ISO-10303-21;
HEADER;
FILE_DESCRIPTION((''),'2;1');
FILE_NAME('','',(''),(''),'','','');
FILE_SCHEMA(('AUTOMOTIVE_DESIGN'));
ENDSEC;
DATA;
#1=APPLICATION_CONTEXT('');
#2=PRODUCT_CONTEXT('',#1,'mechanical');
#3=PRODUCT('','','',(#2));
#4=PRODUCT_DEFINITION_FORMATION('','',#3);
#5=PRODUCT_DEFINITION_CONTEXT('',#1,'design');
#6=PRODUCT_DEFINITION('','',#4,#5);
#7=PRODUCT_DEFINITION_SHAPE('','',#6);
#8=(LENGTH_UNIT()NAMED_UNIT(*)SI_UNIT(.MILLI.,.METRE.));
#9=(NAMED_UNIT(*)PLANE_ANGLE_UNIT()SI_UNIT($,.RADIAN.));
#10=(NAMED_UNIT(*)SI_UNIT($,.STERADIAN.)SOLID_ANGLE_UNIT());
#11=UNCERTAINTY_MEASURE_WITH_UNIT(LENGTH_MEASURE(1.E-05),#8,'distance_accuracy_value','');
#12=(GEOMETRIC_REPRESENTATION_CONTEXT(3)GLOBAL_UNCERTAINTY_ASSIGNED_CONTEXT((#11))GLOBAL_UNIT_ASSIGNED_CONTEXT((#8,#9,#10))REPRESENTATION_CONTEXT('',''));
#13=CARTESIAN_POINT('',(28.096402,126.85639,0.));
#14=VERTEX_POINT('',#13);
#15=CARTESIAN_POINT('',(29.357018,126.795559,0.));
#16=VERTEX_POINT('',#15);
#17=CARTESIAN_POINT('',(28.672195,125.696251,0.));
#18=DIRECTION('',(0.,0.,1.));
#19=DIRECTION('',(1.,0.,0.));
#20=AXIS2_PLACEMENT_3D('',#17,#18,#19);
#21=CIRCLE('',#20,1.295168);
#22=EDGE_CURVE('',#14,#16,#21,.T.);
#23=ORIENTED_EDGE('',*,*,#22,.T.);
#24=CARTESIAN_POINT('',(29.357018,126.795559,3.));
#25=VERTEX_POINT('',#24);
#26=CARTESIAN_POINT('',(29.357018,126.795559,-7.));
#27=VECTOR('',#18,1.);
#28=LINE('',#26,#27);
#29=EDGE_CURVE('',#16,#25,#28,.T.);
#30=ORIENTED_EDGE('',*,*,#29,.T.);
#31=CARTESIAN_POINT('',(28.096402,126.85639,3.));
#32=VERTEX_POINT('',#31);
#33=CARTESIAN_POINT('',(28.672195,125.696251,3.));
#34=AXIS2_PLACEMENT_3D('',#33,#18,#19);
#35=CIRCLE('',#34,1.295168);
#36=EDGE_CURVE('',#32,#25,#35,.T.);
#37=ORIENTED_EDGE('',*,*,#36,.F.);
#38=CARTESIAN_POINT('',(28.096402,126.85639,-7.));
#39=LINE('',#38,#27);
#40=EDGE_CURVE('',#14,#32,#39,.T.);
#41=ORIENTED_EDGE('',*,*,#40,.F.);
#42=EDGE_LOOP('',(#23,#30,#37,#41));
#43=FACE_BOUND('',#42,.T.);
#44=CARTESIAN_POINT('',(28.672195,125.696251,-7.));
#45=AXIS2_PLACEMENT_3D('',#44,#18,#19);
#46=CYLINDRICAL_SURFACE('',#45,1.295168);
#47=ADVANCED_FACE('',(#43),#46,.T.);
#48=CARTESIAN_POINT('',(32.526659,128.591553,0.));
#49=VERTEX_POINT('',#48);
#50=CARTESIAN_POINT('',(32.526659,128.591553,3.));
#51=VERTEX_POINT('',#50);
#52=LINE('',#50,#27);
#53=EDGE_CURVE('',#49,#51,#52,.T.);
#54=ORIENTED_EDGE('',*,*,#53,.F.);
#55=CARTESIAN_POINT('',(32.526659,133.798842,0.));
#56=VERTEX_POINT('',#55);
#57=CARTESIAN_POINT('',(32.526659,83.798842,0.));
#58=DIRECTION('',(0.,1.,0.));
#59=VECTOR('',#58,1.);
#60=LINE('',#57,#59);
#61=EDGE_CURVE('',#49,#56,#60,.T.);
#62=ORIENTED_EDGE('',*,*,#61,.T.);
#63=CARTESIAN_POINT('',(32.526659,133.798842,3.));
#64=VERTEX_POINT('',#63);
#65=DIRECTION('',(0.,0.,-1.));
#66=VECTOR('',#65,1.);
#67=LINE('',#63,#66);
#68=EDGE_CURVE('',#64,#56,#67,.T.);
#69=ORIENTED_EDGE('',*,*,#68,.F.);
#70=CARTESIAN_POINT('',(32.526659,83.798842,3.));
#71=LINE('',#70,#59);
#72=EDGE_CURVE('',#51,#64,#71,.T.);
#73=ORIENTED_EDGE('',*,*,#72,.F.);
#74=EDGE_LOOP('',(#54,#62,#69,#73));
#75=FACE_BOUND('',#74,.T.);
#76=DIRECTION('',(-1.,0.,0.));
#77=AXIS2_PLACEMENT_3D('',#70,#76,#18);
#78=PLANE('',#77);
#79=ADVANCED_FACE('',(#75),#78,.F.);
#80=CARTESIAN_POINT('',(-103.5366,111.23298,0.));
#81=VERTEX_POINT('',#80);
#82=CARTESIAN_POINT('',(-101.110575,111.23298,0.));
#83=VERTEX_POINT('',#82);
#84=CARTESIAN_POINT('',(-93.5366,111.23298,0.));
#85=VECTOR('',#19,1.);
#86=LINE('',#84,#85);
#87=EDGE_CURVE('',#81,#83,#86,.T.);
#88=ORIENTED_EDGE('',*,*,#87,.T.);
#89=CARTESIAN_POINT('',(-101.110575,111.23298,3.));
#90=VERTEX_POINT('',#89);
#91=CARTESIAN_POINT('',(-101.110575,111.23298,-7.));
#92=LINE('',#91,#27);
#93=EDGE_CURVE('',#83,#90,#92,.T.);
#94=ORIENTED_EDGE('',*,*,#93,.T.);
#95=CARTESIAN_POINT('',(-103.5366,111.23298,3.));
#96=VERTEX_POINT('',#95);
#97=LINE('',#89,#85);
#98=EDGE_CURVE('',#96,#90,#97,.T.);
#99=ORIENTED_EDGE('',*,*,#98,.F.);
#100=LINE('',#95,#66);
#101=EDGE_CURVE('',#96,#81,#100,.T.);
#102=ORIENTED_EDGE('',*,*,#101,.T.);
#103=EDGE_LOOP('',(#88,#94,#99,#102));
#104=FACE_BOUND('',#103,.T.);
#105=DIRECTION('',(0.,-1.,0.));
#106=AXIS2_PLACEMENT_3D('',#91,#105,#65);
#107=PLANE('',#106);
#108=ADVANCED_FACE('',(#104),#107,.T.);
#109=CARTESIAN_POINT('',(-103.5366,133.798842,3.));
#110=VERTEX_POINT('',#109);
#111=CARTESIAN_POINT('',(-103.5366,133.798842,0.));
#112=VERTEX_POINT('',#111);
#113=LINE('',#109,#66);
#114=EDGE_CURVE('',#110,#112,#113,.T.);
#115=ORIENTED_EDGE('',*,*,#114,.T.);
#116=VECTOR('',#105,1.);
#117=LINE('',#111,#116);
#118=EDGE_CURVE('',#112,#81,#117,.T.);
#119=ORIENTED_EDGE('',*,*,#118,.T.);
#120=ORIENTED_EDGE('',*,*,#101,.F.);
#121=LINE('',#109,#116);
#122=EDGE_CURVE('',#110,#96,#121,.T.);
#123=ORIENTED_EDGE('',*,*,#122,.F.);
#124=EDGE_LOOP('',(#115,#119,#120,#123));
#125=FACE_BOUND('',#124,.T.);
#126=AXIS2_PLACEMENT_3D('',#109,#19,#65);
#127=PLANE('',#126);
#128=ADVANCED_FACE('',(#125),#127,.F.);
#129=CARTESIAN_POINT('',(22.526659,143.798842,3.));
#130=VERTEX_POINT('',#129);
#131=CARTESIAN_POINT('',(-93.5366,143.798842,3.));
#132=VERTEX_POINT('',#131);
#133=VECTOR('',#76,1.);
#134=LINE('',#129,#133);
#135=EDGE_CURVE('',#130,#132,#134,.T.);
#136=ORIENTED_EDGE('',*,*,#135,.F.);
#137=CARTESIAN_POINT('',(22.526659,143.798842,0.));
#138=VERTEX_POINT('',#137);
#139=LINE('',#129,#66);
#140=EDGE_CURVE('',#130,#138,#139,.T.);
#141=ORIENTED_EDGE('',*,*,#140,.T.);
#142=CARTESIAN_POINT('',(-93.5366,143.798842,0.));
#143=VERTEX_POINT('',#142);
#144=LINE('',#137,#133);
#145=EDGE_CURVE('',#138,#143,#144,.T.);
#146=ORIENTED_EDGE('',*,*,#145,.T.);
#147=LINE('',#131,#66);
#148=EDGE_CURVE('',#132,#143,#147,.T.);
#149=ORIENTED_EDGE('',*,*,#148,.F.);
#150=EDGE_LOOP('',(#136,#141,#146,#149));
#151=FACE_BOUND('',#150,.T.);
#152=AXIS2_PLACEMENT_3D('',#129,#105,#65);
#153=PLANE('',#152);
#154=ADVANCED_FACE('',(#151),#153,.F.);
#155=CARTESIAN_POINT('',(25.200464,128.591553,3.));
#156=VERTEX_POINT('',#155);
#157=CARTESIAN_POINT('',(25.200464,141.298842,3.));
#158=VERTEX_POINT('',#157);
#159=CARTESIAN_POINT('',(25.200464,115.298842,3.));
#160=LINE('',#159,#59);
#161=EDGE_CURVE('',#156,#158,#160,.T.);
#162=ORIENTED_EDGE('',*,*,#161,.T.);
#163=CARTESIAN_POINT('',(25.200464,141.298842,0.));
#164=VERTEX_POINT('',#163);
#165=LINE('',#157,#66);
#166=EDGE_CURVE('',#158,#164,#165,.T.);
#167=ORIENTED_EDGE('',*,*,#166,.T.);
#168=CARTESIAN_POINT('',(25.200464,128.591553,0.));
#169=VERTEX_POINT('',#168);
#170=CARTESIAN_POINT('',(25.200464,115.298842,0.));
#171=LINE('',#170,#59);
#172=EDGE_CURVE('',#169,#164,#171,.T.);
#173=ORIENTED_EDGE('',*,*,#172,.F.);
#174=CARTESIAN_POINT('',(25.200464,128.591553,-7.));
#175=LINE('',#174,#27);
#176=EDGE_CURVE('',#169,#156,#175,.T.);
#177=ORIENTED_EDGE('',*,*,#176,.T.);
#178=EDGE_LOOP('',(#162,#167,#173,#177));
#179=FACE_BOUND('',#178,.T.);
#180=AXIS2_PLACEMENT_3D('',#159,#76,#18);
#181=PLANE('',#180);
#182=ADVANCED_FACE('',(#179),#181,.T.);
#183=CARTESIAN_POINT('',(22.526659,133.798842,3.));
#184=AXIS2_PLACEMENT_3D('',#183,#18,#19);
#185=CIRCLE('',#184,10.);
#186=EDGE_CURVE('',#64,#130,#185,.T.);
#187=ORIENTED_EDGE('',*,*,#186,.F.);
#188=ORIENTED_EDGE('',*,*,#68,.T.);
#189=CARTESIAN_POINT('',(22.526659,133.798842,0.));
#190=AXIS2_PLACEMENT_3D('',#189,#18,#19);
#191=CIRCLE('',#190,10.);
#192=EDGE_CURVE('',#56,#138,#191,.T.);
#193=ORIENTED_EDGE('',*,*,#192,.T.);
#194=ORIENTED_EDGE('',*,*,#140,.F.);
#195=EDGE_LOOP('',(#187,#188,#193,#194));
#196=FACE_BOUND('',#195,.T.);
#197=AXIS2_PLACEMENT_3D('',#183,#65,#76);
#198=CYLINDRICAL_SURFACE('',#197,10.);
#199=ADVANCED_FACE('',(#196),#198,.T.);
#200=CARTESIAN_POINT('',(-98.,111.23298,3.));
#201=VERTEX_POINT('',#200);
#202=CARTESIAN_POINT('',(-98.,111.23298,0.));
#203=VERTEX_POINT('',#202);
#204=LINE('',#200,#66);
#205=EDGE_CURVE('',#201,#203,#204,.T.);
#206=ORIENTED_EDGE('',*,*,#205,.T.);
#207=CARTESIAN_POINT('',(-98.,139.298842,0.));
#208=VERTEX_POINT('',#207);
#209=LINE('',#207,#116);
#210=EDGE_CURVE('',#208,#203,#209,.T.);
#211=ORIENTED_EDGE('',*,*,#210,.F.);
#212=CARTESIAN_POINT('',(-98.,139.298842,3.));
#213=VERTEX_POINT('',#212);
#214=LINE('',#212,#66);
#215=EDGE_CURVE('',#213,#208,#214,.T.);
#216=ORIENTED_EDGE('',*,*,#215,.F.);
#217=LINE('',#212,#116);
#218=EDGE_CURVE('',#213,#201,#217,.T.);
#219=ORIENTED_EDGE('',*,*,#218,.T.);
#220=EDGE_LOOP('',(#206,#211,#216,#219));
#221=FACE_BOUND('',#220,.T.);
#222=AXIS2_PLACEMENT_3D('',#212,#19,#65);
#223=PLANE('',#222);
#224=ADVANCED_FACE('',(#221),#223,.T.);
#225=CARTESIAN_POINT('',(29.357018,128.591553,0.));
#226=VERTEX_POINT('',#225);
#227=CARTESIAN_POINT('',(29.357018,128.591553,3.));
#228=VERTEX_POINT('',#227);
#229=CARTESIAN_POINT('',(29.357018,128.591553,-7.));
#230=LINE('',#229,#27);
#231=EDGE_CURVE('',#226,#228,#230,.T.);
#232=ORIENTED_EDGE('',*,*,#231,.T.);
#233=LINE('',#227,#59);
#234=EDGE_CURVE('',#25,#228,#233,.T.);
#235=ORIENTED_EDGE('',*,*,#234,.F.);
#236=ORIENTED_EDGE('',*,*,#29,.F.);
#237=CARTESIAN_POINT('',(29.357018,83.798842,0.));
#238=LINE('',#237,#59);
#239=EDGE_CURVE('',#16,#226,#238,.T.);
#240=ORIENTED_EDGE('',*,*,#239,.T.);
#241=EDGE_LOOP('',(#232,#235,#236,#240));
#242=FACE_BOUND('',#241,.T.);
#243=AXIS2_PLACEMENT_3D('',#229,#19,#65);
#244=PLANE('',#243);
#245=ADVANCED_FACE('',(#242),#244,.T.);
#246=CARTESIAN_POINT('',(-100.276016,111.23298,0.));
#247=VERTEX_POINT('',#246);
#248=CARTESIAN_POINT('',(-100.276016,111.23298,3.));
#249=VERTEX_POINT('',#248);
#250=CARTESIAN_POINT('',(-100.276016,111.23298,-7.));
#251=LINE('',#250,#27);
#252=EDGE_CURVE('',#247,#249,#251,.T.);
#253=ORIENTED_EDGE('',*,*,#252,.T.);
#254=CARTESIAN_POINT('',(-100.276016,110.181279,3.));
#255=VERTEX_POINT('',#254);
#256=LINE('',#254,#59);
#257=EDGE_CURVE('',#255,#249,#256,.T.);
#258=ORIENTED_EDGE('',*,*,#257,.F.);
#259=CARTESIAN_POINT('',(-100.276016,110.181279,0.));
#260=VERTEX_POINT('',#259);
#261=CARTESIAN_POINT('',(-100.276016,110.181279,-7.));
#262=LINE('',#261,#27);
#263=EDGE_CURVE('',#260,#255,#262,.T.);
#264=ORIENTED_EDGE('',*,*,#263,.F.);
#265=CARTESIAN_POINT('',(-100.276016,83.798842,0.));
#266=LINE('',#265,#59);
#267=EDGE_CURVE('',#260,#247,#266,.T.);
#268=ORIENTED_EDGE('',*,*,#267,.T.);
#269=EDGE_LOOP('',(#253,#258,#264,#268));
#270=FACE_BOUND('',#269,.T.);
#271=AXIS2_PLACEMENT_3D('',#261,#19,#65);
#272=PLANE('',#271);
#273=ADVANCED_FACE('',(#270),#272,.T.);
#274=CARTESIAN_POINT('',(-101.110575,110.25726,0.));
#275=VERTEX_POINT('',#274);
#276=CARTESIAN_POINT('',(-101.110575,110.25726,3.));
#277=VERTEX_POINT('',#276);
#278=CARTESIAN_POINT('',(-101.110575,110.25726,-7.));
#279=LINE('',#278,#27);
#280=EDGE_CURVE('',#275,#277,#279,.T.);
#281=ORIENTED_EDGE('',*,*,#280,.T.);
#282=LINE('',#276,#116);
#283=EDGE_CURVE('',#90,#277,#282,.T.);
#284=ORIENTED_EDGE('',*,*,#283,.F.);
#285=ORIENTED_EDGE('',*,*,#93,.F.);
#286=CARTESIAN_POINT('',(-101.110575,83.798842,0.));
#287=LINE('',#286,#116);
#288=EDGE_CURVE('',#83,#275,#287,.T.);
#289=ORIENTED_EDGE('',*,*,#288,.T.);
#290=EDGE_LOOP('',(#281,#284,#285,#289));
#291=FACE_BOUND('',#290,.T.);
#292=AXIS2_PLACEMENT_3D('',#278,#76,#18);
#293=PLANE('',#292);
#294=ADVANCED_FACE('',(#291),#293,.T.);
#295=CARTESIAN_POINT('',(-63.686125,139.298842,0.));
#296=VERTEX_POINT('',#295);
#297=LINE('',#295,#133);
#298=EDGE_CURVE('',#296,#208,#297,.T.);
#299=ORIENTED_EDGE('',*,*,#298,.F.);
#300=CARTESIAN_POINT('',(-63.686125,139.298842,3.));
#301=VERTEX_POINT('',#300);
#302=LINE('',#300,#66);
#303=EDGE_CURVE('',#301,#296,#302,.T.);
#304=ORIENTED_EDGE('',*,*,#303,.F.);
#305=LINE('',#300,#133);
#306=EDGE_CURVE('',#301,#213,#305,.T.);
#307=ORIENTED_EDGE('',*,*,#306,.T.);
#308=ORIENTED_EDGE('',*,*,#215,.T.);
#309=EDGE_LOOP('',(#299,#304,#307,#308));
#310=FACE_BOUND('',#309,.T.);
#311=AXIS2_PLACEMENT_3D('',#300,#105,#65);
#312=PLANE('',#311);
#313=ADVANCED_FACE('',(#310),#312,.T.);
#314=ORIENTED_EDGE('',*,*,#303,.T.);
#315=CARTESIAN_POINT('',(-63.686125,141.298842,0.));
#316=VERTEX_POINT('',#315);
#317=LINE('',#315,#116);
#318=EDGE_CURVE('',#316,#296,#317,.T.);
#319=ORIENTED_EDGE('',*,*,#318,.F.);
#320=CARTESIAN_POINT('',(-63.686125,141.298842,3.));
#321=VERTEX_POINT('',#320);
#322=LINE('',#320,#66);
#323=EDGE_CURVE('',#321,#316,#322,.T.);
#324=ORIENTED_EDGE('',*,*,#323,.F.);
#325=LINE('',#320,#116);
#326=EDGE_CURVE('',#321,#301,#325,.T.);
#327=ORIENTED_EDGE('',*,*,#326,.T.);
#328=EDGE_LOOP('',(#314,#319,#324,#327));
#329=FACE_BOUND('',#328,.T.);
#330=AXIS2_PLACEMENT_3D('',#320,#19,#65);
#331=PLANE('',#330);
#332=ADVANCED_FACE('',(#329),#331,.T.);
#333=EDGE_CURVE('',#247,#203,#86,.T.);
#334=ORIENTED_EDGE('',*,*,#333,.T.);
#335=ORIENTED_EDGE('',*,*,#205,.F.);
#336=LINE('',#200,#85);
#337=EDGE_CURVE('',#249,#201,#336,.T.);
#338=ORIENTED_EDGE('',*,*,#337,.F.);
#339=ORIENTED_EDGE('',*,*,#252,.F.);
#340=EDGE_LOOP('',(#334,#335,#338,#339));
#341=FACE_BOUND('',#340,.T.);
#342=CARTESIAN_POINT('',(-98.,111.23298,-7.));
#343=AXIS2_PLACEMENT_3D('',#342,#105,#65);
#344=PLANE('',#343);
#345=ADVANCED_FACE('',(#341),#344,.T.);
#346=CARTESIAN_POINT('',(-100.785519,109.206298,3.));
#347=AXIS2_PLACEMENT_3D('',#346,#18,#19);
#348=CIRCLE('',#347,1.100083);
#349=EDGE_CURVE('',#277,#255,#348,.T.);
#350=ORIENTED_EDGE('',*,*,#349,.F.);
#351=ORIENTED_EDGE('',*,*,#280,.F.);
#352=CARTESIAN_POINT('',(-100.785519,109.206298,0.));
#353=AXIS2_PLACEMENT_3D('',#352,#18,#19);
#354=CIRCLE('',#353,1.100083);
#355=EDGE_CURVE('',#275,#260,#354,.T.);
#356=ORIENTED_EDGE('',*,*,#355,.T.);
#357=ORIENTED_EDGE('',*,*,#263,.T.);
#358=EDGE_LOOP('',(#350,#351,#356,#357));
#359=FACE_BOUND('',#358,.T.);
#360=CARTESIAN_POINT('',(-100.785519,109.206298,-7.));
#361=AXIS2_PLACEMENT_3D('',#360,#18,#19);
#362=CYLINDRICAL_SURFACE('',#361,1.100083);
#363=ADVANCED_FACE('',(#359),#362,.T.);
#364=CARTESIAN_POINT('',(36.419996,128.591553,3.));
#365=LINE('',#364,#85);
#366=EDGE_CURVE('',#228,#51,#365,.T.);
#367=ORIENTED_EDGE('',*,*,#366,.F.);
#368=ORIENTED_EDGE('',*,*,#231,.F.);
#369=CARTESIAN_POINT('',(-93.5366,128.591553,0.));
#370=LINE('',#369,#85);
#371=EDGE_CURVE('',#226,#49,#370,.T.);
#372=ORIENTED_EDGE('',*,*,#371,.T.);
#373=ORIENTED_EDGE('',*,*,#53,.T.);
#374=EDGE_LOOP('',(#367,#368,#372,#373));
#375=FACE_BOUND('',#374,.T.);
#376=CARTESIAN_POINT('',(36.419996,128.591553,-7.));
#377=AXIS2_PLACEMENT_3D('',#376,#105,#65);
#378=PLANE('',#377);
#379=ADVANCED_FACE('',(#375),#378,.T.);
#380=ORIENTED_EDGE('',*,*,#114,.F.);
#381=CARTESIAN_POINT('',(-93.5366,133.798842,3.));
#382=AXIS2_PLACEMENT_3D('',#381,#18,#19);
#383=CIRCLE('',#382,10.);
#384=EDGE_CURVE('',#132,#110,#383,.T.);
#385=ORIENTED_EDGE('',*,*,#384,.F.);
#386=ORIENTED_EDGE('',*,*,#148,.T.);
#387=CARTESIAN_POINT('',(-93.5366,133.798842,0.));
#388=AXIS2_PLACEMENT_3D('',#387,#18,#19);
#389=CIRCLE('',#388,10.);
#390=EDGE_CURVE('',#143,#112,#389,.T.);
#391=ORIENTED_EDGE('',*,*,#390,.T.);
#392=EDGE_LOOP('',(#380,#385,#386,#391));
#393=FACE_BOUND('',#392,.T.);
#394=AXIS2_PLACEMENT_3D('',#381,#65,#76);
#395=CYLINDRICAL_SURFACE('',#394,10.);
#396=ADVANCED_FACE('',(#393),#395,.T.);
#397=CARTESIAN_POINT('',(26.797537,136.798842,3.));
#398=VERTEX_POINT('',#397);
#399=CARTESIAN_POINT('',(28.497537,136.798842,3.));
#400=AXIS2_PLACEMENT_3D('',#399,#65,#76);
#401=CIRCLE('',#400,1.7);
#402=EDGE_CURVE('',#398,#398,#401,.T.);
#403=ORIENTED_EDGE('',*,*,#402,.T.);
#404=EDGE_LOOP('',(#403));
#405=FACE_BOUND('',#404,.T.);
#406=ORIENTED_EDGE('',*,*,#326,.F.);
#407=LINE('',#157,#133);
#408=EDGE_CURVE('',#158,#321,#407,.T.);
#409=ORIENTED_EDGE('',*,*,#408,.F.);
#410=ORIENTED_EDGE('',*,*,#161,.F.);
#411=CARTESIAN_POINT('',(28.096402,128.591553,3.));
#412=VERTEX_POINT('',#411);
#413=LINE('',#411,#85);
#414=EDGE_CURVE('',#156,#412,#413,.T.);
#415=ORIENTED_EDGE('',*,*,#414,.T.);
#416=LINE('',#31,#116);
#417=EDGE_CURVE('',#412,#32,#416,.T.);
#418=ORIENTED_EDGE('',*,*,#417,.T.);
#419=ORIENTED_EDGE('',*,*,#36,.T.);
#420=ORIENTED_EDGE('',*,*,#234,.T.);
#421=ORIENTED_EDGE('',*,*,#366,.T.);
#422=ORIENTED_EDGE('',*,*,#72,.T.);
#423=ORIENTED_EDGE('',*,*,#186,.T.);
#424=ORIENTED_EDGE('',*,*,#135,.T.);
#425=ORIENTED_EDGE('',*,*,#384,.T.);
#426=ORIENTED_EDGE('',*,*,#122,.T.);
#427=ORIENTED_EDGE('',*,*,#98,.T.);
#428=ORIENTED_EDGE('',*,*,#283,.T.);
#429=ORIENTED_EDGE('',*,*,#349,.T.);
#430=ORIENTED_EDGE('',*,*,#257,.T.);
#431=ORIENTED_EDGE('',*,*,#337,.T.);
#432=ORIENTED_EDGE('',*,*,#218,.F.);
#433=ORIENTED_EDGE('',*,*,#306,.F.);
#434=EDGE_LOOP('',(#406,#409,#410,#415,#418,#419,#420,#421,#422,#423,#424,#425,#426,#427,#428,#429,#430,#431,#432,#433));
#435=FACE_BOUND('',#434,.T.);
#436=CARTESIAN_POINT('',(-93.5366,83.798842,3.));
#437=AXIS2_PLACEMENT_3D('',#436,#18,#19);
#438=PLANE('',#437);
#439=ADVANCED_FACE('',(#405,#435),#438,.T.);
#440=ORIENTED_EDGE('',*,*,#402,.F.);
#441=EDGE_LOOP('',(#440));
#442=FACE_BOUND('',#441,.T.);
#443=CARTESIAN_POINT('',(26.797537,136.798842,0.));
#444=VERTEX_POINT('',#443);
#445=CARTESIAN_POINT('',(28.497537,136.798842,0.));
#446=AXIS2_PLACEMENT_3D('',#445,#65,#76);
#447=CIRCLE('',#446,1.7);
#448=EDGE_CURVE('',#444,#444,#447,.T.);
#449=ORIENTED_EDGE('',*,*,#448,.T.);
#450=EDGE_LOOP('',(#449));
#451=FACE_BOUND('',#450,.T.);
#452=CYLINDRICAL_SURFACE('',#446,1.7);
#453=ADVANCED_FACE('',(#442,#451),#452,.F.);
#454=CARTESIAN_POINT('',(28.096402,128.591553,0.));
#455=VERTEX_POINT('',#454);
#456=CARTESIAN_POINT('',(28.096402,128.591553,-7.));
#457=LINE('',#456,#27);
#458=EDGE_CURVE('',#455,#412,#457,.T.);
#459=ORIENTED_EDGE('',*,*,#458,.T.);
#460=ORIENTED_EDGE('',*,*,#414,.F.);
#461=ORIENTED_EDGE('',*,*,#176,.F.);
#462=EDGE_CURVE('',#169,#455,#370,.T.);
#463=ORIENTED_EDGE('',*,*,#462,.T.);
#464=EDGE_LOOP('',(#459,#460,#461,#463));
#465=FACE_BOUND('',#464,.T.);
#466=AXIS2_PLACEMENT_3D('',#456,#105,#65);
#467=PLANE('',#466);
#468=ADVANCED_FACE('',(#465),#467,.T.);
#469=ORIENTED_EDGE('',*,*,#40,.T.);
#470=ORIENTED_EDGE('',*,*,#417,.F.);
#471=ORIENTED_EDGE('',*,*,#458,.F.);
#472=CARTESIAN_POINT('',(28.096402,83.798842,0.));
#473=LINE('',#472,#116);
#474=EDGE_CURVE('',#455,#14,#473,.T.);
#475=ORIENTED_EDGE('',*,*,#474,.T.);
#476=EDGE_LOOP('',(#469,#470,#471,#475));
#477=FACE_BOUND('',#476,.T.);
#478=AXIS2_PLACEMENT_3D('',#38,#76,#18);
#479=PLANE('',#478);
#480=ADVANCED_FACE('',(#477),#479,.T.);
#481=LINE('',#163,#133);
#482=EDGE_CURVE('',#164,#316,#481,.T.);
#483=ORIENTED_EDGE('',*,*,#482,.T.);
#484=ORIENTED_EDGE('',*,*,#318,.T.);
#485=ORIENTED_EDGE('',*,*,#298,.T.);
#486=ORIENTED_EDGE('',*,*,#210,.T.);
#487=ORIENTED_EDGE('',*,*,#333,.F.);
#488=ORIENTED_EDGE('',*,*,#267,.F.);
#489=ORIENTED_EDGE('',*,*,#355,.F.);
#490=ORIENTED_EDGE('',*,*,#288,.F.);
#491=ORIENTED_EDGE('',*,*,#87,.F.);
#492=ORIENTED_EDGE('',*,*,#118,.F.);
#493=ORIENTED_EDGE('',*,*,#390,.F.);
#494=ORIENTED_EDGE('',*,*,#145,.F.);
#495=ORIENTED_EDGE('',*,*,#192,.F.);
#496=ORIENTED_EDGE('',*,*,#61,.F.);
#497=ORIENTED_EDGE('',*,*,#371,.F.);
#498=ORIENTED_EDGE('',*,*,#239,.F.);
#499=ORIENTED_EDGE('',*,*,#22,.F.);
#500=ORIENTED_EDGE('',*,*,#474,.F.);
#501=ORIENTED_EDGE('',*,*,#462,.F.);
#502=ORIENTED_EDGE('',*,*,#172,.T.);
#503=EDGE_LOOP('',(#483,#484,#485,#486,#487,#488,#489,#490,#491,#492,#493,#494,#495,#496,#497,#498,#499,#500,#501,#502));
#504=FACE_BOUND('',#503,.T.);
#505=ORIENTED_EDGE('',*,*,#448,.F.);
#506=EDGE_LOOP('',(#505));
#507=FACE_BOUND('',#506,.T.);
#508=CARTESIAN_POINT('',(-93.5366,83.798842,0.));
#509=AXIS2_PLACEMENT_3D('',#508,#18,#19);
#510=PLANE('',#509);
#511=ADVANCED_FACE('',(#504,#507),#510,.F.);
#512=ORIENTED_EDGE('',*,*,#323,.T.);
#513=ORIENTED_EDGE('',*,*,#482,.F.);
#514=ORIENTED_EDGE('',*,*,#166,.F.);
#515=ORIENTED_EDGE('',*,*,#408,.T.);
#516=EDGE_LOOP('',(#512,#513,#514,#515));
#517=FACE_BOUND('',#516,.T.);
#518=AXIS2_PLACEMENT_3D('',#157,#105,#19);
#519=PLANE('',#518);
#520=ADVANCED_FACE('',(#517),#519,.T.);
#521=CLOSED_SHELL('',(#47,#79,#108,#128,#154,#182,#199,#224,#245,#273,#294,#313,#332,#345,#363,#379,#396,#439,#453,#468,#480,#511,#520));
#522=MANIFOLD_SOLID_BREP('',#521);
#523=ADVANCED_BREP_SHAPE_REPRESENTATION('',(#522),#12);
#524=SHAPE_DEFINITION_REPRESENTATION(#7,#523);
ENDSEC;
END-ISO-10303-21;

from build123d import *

# Parameters (mm, degrees)
BOSS_EXTRUDE1_DEPTH  = 3
M3_CLEARANCE_HOLE1_D = 3.4
SKETCH2_OUTSIDE_W    = 168.672
SKETCH2_OUTSIDE_H    = 102.608
CUT_EXTRUDE1_DEPTH   = 10


with BuildPart() as part:
    # Sketch1 → Boss-Extrude1 (new body)
    with BuildSketch(Plane.XY):
        with BuildLine():
            Line((-93.536600288, 73.798841742), (22.52665856, 73.798841742))
            ThreePointArc((22.52665856, 73.798841742), (29.597726372, 76.72777393), (32.52665856, 83.798841742))
            Line((32.52665856, 83.798841742), (32.52665856, 133.798841742))
            ThreePointArc((32.52665856, 133.798841742), (29.597726372, 140.869909554), (22.52665856, 143.798841742))
            Line((22.52665856, 143.798841742), (-93.536600288, 143.798841742))
            ThreePointArc((-93.536600288, 143.798841742), (-100.6076681, 140.869909554), (-103.536600288, 133.798841742))
            Line((-103.536600288, 133.798841742), (-103.536600288, 83.798841742))
            ThreePointArc((-103.536600288, 83.798841742), (-100.6076681, 76.72777393), (-93.536600288, 73.798841742))
        make_face()
        Polygon((7.241251279, 79.113754803), (7.241251279, 115.298841742), (25.200464445, 115.298841742), (25.200464445, 141.298841742), (-63.686125174, 141.298841742), (-63.686125174, 139.298841742), (-98, 139.298841742), (-98, 79.113754803), align=None, mode=Mode.SUBTRACT)
    extrude(amount=BOSS_EXTRUDE1_DEPTH)

    # M3 Clearance Hole1 (through all)
    with Locations(Plane(origin=(0, 0, 0), x_dir=(-1, 0, 0), z_dir=(0, 0, -1))):
        with Locations((-28.497536526, 136.798841742), (-28.497536526, 81.798841742)):
            Hole(M3_CLEARANCE_HOLE1_D / 2)

    # Sketch2 outside → Cut-Extrude1 (cut)
    with BuildSketch(Plane.XY.offset(3)):
        with Locations((-35.505, 108.799)):
            Rectangle(SKETCH2_OUTSIDE_W, SKETCH2_OUTSIDE_H)
        with BuildLine():
            Line((-98, 111.232980273), (-100.276015927, 111.232980273))
            Line((-100.276015927, 111.232980273), (-100.276015927, 110.181279495))
            ThreePointArc((-100.276015927, 110.181279495), (-100.885260547, 108.11074669), (-101.110575194, 110.257259772))
            Line((-101.110575194, 110.257259772), (-101.110575194, 111.232980273))
            Line((-101.110575194, 111.232980273), (-103.536600288, 111.232980273))
            Line((-103.536600288, 111.232980273), (-103.536600288, 155.169137996))
            Line((-103.536600288, 155.169137996), (37.520914888, 146.495442913))
            Line((37.520914888, 146.495442913), (36.419995989, 128.591552724))
            Line((36.419995989, 128.591552724), (32.52665856, 128.591552724))
            Line((32.52665856, 128.591552724), (29.357018022, 128.591552724))
            Line((29.357018022, 128.591552724), (29.357018022, 126.79555932))
            ThreePointArc((29.357018022, 126.79555932), (28.609769319, 124.402587901), (28.09640217, 126.856390462))
            Line((28.09640217, 126.856390462), (28.09640217, 128.591552724))
            Line((28.09640217, 128.591552724), (25.200464445, 128.591552724))
            Line((25.200464445, 128.591552724), (-98, 111.232980273))
        make_face(mode=Mode.SUBTRACT)
    extrude(amount=-CUT_EXTRUDE1_DEPTH, mode=Mode.SUBTRACT)


solid = part.part
